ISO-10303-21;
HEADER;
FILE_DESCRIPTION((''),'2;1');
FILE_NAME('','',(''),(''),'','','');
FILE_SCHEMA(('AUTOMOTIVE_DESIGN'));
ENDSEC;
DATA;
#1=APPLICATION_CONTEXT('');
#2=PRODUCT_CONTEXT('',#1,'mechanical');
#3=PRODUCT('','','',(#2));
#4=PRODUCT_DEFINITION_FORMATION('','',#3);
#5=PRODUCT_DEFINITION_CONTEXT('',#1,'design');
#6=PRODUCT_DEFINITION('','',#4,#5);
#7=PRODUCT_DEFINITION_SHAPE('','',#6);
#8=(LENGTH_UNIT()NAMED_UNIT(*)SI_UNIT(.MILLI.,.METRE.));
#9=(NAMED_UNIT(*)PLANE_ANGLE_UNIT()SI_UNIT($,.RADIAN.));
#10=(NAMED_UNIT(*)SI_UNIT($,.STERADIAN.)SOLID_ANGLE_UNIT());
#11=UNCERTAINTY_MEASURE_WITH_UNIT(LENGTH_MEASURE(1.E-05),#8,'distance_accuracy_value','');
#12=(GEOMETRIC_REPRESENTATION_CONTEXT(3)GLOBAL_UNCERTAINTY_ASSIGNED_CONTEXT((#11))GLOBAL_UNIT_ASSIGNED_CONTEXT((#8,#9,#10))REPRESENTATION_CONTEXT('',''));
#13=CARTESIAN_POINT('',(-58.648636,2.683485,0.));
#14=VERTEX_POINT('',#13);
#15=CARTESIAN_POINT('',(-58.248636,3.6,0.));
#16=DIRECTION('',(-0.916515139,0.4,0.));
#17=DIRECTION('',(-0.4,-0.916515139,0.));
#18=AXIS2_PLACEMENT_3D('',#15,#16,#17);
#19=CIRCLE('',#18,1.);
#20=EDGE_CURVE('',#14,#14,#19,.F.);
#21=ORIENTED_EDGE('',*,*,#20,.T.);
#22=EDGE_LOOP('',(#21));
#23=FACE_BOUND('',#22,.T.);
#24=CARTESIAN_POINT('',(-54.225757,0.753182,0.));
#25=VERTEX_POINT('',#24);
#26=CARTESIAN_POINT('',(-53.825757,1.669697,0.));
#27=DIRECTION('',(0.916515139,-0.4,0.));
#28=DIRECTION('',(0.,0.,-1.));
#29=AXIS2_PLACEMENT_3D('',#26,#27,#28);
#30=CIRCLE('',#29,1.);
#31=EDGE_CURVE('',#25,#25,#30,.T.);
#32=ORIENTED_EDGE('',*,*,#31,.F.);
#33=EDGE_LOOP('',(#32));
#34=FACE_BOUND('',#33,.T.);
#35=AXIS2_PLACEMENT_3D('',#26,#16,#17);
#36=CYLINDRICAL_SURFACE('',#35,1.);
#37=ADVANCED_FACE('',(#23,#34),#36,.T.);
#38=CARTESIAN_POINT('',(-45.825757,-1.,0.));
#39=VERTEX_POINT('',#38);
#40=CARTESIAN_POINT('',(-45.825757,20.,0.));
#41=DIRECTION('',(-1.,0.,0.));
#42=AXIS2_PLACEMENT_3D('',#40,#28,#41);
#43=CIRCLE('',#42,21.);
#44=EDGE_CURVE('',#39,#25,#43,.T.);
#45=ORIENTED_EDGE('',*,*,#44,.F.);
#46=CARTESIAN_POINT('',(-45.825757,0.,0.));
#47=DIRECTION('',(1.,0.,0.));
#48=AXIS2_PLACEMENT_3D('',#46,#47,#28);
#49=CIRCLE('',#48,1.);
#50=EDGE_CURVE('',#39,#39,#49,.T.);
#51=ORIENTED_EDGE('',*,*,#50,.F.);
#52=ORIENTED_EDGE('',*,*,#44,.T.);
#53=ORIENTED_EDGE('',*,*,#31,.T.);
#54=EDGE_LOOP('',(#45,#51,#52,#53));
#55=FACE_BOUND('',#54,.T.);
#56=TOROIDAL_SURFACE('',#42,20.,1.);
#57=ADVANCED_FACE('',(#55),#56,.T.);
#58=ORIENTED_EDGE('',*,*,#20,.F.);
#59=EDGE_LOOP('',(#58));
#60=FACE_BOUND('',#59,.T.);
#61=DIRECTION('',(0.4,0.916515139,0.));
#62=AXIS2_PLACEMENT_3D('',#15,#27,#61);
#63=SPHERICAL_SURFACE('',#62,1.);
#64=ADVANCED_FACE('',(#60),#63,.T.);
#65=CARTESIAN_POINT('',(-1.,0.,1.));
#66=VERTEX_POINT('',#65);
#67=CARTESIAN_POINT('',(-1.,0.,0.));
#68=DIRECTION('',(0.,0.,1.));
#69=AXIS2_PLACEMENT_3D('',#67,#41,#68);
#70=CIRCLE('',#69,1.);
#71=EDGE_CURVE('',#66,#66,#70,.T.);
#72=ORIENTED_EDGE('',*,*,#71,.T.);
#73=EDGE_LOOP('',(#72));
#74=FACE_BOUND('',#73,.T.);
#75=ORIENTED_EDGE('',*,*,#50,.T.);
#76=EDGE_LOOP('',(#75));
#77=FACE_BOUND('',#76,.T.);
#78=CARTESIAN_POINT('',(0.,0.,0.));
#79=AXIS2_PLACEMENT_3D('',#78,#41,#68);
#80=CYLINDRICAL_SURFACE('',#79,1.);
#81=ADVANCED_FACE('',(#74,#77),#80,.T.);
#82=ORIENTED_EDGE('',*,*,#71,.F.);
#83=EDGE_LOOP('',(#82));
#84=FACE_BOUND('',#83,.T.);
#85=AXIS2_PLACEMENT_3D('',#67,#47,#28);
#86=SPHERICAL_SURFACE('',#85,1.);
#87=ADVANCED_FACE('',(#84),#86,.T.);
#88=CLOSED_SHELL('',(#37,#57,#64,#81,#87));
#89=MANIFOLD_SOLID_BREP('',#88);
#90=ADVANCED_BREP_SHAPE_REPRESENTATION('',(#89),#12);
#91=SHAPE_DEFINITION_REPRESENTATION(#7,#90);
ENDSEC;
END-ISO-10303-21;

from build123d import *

# Parameters (mm, degrees)
SKETCH2_R = 1
FILLET1_R = 1


with BuildPart() as part:
    # Sweep1: sweep along a path in Sketch1
    with BuildLine(Plane.XY) as sweep1_path:
        Line((0, 0), (-45.82575695, 0))
        ThreePointArc((-45.82575695, 0), (-49.911949823, 0.421873741), (-53.82575695, 1.66969722))
        Line((-53.82575695, 1.66969722), (-59.16515139, 4))
    # Sketch2 → Sweep1 (sweep)
    with BuildSketch(Plane(origin=(0, 0, 0), x_dir=(0, 0, -1), z_dir=(1, 0, 0))):
        Circle(SKETCH2_R)
    sweep(path=sweep1_path.line)

    # Fillet1
    fillet1_edges = [part.edges().sort_by_distance(p)[0] for p in [
        (-59.16515139, 4, 1),
        (0, 0, 1),
    ]]
    fillet(fillet1_edges, radius=FILLET1_R)


solid = part.part
